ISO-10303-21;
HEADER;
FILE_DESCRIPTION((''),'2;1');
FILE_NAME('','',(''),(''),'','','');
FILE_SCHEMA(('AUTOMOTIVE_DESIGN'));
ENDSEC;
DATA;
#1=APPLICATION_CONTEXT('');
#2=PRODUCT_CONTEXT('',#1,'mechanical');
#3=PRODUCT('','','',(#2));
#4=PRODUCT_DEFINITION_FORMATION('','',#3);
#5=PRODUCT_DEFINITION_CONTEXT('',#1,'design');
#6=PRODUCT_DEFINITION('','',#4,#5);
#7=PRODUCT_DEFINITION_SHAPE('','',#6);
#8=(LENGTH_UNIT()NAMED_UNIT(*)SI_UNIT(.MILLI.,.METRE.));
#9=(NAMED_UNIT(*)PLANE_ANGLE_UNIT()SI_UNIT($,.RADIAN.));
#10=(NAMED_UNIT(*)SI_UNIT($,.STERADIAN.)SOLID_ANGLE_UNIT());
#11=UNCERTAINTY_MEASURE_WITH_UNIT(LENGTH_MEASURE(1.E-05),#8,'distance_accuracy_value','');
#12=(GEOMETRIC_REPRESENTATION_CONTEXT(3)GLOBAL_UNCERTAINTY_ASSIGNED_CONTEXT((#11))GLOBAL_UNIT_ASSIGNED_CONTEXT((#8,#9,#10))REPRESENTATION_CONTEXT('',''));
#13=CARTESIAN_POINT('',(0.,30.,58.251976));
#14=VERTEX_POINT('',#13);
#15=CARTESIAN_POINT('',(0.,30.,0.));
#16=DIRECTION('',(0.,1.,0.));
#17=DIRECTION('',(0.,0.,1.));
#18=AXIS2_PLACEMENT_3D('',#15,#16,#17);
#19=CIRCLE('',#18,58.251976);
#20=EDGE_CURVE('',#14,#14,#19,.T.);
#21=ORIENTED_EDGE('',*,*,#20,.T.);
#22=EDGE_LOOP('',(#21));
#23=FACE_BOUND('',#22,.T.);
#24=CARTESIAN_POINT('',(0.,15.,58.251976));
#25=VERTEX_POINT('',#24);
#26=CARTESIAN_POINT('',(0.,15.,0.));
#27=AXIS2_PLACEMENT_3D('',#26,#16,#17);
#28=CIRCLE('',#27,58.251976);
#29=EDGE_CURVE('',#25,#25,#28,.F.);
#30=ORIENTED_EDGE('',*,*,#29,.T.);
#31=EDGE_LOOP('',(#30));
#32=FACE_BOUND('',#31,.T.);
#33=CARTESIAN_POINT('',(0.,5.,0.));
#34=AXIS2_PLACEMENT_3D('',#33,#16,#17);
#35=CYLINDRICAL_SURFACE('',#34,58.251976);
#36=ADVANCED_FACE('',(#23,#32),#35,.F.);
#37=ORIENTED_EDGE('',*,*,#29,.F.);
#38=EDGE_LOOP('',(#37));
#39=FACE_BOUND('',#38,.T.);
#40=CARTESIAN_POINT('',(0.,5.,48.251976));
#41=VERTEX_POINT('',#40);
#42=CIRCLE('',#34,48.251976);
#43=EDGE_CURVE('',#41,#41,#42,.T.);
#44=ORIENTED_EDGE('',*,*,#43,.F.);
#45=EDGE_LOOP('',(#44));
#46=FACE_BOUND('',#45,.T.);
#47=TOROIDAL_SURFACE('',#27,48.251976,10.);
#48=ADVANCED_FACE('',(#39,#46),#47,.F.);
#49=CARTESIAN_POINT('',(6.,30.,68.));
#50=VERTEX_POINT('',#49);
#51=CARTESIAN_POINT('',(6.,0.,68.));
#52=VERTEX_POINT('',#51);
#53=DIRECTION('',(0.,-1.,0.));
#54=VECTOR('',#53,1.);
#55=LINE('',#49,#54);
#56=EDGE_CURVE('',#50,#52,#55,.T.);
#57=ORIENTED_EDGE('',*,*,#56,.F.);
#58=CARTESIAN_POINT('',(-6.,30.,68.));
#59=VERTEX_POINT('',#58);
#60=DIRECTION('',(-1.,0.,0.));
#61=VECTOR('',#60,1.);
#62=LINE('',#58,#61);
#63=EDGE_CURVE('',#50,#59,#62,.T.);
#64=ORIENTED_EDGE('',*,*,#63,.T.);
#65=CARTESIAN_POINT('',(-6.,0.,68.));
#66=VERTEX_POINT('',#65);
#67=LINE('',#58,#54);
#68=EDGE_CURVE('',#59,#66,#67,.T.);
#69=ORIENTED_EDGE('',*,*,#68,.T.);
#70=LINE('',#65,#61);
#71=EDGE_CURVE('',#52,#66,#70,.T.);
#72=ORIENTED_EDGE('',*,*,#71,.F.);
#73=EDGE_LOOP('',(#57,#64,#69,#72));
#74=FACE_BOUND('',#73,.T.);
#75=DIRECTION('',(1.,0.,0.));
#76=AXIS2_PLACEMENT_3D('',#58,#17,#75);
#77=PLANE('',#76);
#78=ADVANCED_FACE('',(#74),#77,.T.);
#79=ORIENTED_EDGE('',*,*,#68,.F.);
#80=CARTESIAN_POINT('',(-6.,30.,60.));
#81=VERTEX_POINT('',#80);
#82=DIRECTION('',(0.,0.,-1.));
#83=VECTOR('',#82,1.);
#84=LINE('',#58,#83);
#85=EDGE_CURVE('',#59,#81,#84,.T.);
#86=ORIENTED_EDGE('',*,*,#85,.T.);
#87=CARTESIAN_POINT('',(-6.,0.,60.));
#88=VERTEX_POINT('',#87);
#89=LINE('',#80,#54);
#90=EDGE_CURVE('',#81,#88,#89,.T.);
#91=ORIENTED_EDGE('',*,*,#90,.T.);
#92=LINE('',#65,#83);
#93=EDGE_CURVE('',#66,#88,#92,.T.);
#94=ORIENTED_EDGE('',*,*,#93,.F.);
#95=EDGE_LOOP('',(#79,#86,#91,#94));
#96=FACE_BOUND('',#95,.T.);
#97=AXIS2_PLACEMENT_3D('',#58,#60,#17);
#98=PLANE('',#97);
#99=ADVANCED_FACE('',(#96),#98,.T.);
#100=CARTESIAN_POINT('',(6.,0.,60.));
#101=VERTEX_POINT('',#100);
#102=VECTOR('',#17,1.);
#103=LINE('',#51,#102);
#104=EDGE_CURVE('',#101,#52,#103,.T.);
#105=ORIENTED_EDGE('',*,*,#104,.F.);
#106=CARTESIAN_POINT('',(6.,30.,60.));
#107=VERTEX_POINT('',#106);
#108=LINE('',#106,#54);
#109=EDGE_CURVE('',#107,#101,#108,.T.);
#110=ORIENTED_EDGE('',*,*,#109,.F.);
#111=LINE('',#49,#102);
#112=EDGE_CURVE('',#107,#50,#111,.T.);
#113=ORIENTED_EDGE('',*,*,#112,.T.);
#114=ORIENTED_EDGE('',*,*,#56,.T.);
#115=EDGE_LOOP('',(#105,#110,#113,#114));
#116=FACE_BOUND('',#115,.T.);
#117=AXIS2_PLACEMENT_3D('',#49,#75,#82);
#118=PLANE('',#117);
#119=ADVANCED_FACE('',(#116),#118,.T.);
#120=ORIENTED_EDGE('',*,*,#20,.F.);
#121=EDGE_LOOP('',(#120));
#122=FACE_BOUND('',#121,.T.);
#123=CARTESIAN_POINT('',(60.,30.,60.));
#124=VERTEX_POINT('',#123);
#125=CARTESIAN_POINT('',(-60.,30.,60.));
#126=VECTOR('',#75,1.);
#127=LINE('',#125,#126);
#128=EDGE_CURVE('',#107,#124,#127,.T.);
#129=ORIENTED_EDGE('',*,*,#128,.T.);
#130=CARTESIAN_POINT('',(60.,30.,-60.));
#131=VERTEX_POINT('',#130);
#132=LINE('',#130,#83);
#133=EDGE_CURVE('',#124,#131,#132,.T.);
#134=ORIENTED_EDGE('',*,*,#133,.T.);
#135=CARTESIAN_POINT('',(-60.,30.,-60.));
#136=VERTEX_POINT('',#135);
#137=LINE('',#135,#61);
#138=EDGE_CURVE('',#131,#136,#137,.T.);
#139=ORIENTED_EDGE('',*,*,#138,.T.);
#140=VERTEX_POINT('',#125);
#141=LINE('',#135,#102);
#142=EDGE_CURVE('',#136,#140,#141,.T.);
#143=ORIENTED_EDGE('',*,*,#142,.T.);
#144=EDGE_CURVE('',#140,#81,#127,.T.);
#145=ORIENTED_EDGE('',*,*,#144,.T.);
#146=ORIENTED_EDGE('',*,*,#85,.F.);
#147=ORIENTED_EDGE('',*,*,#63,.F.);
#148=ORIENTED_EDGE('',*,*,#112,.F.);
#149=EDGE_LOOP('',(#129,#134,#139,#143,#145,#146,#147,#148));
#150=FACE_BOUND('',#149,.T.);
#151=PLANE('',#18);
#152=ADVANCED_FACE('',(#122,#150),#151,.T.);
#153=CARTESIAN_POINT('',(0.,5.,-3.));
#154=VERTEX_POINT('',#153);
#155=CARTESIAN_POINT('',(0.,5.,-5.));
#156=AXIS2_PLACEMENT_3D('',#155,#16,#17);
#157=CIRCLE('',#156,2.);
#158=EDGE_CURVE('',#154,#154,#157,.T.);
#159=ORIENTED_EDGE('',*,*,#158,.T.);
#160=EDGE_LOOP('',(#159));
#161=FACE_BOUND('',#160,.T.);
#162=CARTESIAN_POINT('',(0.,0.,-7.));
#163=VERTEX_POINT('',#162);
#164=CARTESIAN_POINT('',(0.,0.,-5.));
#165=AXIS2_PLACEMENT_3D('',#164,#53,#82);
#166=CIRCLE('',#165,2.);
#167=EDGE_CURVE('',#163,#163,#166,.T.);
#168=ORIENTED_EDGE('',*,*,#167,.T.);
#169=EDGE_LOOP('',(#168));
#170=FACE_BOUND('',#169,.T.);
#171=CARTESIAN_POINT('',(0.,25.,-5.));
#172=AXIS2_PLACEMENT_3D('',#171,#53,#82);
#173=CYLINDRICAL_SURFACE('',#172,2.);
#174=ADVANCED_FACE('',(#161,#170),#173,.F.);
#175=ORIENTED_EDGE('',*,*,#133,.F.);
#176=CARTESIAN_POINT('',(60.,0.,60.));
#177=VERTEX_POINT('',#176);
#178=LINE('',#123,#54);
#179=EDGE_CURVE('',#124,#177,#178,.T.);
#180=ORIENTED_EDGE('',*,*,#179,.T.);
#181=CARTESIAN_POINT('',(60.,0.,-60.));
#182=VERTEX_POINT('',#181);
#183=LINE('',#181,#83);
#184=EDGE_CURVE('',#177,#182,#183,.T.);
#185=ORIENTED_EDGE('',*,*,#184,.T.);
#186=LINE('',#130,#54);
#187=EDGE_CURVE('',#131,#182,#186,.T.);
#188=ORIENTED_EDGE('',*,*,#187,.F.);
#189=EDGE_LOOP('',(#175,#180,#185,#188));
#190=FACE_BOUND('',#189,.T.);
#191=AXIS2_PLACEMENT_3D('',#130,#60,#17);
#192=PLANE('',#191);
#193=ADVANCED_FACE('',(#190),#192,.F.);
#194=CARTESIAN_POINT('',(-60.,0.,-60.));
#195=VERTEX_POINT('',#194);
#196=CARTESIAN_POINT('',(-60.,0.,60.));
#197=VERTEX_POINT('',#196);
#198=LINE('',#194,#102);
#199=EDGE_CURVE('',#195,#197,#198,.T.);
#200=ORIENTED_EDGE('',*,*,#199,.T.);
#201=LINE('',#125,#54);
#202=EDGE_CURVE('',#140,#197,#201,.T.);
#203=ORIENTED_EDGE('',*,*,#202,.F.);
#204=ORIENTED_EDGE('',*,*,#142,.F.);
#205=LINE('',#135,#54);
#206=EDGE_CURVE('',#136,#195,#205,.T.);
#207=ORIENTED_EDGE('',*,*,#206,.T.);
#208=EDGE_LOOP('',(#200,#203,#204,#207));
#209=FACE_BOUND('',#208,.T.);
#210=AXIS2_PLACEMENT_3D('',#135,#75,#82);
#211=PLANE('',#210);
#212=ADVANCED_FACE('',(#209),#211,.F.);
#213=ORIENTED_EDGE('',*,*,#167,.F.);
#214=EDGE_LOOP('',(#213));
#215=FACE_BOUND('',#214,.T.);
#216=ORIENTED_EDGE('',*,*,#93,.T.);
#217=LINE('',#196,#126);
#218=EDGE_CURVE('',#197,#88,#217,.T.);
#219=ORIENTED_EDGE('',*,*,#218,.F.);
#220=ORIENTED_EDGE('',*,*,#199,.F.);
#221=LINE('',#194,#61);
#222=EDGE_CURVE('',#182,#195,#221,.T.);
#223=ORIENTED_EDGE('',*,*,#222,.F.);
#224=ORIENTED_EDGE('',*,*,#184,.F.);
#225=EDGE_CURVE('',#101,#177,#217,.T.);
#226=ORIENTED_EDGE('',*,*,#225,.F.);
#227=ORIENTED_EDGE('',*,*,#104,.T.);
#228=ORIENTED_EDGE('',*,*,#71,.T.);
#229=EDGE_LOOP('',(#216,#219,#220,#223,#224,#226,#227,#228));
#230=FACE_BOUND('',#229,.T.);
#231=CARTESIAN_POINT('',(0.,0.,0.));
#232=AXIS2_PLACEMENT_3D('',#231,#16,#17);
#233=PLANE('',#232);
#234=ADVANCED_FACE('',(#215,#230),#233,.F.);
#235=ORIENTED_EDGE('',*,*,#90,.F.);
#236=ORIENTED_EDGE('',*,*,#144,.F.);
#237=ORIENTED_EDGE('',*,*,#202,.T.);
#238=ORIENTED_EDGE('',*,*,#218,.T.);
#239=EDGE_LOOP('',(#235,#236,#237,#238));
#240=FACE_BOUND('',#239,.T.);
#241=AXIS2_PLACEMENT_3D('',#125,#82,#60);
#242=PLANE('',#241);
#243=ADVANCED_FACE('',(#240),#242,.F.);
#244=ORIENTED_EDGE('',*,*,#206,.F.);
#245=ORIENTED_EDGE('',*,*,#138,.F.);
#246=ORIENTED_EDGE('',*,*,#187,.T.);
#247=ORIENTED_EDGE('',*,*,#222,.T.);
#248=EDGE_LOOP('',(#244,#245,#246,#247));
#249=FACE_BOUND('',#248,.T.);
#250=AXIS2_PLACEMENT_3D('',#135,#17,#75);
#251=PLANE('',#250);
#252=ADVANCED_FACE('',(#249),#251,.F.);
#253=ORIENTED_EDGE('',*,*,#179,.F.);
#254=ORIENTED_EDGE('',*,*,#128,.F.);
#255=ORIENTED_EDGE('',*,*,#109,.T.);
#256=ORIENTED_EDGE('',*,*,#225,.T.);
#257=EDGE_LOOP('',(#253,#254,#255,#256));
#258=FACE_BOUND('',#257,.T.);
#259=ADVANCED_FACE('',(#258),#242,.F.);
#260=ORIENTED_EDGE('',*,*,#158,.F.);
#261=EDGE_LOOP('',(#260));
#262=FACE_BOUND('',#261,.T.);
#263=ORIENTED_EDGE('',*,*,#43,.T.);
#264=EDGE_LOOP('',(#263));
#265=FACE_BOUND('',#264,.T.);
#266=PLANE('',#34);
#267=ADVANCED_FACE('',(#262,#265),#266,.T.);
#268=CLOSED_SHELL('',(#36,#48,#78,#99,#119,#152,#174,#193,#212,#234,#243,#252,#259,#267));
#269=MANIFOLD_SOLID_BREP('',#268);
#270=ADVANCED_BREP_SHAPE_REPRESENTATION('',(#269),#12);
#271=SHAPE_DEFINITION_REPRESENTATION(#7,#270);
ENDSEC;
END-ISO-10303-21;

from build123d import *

# Parameters (mm, degrees)
SKETCH_1_W          = 120
SKETCH_1_H          = 120
EXTRUDE_1_DEPTH     = 30
SKETCH_2_R          = 58.25197646
CUT_EXTRUDE_1_DEPTH = 25
FILLET_1_R          = 10
SKETCH_3_R          = 2
CUT_EXTRUDE_2_DEPTH = 25
SKETCH_4_W          = 12
SKETCH_4_H          = 8
EXTRUDE_2_DEPTH     = 30


with BuildPart() as part:
    # 草图1 → 凸台-拉伸1 (new body)
    with BuildSketch(Plane(origin=(0, 0, 0), x_dir=(1, 0, 0), z_dir=(0, 1, 0))):
        Rectangle(SKETCH_1_W, SKETCH_1_H)
    extrude(amount=EXTRUDE_1_DEPTH)

    # 草图2 → 切除-拉伸1 (cut)
    with BuildSketch(Plane(origin=(0, 30, 0), x_dir=(1, 0, 0), z_dir=(0, 1, 0))):
        with Locations(Location((0, 0, 0), (0, 0, 270))):
            Circle(SKETCH_2_R)
    extrude(amount=-CUT_EXTRUDE_1_DEPTH, mode=Mode.SUBTRACT)

    # 圆角1
    fillet_1_edges = [part.edges().sort_by_distance(p)[0] for p in [
        (0, 5, -58.25197646),
    ]]
    fillet(fillet_1_edges, radius=FILLET_1_R)

    # 草图3 → 切除-拉伸2 (cut)
    with BuildSketch(Plane.XZ):
        with Locations(Location((0, -5, 0), (0, 0, 270))):
            Circle(SKETCH_3_R)
    extrude(amount=-CUT_EXTRUDE_2_DEPTH, mode=Mode.SUBTRACT)

    # 草图4 → 凸台-拉伸2 (add)
    with BuildSketch(Plane.XZ):
        with Locations((0, 64)):
            Rectangle(SKETCH_4_W, SKETCH_4_H)
    extrude(amount=-EXTRUDE_2_DEPTH)


solid = part.part
